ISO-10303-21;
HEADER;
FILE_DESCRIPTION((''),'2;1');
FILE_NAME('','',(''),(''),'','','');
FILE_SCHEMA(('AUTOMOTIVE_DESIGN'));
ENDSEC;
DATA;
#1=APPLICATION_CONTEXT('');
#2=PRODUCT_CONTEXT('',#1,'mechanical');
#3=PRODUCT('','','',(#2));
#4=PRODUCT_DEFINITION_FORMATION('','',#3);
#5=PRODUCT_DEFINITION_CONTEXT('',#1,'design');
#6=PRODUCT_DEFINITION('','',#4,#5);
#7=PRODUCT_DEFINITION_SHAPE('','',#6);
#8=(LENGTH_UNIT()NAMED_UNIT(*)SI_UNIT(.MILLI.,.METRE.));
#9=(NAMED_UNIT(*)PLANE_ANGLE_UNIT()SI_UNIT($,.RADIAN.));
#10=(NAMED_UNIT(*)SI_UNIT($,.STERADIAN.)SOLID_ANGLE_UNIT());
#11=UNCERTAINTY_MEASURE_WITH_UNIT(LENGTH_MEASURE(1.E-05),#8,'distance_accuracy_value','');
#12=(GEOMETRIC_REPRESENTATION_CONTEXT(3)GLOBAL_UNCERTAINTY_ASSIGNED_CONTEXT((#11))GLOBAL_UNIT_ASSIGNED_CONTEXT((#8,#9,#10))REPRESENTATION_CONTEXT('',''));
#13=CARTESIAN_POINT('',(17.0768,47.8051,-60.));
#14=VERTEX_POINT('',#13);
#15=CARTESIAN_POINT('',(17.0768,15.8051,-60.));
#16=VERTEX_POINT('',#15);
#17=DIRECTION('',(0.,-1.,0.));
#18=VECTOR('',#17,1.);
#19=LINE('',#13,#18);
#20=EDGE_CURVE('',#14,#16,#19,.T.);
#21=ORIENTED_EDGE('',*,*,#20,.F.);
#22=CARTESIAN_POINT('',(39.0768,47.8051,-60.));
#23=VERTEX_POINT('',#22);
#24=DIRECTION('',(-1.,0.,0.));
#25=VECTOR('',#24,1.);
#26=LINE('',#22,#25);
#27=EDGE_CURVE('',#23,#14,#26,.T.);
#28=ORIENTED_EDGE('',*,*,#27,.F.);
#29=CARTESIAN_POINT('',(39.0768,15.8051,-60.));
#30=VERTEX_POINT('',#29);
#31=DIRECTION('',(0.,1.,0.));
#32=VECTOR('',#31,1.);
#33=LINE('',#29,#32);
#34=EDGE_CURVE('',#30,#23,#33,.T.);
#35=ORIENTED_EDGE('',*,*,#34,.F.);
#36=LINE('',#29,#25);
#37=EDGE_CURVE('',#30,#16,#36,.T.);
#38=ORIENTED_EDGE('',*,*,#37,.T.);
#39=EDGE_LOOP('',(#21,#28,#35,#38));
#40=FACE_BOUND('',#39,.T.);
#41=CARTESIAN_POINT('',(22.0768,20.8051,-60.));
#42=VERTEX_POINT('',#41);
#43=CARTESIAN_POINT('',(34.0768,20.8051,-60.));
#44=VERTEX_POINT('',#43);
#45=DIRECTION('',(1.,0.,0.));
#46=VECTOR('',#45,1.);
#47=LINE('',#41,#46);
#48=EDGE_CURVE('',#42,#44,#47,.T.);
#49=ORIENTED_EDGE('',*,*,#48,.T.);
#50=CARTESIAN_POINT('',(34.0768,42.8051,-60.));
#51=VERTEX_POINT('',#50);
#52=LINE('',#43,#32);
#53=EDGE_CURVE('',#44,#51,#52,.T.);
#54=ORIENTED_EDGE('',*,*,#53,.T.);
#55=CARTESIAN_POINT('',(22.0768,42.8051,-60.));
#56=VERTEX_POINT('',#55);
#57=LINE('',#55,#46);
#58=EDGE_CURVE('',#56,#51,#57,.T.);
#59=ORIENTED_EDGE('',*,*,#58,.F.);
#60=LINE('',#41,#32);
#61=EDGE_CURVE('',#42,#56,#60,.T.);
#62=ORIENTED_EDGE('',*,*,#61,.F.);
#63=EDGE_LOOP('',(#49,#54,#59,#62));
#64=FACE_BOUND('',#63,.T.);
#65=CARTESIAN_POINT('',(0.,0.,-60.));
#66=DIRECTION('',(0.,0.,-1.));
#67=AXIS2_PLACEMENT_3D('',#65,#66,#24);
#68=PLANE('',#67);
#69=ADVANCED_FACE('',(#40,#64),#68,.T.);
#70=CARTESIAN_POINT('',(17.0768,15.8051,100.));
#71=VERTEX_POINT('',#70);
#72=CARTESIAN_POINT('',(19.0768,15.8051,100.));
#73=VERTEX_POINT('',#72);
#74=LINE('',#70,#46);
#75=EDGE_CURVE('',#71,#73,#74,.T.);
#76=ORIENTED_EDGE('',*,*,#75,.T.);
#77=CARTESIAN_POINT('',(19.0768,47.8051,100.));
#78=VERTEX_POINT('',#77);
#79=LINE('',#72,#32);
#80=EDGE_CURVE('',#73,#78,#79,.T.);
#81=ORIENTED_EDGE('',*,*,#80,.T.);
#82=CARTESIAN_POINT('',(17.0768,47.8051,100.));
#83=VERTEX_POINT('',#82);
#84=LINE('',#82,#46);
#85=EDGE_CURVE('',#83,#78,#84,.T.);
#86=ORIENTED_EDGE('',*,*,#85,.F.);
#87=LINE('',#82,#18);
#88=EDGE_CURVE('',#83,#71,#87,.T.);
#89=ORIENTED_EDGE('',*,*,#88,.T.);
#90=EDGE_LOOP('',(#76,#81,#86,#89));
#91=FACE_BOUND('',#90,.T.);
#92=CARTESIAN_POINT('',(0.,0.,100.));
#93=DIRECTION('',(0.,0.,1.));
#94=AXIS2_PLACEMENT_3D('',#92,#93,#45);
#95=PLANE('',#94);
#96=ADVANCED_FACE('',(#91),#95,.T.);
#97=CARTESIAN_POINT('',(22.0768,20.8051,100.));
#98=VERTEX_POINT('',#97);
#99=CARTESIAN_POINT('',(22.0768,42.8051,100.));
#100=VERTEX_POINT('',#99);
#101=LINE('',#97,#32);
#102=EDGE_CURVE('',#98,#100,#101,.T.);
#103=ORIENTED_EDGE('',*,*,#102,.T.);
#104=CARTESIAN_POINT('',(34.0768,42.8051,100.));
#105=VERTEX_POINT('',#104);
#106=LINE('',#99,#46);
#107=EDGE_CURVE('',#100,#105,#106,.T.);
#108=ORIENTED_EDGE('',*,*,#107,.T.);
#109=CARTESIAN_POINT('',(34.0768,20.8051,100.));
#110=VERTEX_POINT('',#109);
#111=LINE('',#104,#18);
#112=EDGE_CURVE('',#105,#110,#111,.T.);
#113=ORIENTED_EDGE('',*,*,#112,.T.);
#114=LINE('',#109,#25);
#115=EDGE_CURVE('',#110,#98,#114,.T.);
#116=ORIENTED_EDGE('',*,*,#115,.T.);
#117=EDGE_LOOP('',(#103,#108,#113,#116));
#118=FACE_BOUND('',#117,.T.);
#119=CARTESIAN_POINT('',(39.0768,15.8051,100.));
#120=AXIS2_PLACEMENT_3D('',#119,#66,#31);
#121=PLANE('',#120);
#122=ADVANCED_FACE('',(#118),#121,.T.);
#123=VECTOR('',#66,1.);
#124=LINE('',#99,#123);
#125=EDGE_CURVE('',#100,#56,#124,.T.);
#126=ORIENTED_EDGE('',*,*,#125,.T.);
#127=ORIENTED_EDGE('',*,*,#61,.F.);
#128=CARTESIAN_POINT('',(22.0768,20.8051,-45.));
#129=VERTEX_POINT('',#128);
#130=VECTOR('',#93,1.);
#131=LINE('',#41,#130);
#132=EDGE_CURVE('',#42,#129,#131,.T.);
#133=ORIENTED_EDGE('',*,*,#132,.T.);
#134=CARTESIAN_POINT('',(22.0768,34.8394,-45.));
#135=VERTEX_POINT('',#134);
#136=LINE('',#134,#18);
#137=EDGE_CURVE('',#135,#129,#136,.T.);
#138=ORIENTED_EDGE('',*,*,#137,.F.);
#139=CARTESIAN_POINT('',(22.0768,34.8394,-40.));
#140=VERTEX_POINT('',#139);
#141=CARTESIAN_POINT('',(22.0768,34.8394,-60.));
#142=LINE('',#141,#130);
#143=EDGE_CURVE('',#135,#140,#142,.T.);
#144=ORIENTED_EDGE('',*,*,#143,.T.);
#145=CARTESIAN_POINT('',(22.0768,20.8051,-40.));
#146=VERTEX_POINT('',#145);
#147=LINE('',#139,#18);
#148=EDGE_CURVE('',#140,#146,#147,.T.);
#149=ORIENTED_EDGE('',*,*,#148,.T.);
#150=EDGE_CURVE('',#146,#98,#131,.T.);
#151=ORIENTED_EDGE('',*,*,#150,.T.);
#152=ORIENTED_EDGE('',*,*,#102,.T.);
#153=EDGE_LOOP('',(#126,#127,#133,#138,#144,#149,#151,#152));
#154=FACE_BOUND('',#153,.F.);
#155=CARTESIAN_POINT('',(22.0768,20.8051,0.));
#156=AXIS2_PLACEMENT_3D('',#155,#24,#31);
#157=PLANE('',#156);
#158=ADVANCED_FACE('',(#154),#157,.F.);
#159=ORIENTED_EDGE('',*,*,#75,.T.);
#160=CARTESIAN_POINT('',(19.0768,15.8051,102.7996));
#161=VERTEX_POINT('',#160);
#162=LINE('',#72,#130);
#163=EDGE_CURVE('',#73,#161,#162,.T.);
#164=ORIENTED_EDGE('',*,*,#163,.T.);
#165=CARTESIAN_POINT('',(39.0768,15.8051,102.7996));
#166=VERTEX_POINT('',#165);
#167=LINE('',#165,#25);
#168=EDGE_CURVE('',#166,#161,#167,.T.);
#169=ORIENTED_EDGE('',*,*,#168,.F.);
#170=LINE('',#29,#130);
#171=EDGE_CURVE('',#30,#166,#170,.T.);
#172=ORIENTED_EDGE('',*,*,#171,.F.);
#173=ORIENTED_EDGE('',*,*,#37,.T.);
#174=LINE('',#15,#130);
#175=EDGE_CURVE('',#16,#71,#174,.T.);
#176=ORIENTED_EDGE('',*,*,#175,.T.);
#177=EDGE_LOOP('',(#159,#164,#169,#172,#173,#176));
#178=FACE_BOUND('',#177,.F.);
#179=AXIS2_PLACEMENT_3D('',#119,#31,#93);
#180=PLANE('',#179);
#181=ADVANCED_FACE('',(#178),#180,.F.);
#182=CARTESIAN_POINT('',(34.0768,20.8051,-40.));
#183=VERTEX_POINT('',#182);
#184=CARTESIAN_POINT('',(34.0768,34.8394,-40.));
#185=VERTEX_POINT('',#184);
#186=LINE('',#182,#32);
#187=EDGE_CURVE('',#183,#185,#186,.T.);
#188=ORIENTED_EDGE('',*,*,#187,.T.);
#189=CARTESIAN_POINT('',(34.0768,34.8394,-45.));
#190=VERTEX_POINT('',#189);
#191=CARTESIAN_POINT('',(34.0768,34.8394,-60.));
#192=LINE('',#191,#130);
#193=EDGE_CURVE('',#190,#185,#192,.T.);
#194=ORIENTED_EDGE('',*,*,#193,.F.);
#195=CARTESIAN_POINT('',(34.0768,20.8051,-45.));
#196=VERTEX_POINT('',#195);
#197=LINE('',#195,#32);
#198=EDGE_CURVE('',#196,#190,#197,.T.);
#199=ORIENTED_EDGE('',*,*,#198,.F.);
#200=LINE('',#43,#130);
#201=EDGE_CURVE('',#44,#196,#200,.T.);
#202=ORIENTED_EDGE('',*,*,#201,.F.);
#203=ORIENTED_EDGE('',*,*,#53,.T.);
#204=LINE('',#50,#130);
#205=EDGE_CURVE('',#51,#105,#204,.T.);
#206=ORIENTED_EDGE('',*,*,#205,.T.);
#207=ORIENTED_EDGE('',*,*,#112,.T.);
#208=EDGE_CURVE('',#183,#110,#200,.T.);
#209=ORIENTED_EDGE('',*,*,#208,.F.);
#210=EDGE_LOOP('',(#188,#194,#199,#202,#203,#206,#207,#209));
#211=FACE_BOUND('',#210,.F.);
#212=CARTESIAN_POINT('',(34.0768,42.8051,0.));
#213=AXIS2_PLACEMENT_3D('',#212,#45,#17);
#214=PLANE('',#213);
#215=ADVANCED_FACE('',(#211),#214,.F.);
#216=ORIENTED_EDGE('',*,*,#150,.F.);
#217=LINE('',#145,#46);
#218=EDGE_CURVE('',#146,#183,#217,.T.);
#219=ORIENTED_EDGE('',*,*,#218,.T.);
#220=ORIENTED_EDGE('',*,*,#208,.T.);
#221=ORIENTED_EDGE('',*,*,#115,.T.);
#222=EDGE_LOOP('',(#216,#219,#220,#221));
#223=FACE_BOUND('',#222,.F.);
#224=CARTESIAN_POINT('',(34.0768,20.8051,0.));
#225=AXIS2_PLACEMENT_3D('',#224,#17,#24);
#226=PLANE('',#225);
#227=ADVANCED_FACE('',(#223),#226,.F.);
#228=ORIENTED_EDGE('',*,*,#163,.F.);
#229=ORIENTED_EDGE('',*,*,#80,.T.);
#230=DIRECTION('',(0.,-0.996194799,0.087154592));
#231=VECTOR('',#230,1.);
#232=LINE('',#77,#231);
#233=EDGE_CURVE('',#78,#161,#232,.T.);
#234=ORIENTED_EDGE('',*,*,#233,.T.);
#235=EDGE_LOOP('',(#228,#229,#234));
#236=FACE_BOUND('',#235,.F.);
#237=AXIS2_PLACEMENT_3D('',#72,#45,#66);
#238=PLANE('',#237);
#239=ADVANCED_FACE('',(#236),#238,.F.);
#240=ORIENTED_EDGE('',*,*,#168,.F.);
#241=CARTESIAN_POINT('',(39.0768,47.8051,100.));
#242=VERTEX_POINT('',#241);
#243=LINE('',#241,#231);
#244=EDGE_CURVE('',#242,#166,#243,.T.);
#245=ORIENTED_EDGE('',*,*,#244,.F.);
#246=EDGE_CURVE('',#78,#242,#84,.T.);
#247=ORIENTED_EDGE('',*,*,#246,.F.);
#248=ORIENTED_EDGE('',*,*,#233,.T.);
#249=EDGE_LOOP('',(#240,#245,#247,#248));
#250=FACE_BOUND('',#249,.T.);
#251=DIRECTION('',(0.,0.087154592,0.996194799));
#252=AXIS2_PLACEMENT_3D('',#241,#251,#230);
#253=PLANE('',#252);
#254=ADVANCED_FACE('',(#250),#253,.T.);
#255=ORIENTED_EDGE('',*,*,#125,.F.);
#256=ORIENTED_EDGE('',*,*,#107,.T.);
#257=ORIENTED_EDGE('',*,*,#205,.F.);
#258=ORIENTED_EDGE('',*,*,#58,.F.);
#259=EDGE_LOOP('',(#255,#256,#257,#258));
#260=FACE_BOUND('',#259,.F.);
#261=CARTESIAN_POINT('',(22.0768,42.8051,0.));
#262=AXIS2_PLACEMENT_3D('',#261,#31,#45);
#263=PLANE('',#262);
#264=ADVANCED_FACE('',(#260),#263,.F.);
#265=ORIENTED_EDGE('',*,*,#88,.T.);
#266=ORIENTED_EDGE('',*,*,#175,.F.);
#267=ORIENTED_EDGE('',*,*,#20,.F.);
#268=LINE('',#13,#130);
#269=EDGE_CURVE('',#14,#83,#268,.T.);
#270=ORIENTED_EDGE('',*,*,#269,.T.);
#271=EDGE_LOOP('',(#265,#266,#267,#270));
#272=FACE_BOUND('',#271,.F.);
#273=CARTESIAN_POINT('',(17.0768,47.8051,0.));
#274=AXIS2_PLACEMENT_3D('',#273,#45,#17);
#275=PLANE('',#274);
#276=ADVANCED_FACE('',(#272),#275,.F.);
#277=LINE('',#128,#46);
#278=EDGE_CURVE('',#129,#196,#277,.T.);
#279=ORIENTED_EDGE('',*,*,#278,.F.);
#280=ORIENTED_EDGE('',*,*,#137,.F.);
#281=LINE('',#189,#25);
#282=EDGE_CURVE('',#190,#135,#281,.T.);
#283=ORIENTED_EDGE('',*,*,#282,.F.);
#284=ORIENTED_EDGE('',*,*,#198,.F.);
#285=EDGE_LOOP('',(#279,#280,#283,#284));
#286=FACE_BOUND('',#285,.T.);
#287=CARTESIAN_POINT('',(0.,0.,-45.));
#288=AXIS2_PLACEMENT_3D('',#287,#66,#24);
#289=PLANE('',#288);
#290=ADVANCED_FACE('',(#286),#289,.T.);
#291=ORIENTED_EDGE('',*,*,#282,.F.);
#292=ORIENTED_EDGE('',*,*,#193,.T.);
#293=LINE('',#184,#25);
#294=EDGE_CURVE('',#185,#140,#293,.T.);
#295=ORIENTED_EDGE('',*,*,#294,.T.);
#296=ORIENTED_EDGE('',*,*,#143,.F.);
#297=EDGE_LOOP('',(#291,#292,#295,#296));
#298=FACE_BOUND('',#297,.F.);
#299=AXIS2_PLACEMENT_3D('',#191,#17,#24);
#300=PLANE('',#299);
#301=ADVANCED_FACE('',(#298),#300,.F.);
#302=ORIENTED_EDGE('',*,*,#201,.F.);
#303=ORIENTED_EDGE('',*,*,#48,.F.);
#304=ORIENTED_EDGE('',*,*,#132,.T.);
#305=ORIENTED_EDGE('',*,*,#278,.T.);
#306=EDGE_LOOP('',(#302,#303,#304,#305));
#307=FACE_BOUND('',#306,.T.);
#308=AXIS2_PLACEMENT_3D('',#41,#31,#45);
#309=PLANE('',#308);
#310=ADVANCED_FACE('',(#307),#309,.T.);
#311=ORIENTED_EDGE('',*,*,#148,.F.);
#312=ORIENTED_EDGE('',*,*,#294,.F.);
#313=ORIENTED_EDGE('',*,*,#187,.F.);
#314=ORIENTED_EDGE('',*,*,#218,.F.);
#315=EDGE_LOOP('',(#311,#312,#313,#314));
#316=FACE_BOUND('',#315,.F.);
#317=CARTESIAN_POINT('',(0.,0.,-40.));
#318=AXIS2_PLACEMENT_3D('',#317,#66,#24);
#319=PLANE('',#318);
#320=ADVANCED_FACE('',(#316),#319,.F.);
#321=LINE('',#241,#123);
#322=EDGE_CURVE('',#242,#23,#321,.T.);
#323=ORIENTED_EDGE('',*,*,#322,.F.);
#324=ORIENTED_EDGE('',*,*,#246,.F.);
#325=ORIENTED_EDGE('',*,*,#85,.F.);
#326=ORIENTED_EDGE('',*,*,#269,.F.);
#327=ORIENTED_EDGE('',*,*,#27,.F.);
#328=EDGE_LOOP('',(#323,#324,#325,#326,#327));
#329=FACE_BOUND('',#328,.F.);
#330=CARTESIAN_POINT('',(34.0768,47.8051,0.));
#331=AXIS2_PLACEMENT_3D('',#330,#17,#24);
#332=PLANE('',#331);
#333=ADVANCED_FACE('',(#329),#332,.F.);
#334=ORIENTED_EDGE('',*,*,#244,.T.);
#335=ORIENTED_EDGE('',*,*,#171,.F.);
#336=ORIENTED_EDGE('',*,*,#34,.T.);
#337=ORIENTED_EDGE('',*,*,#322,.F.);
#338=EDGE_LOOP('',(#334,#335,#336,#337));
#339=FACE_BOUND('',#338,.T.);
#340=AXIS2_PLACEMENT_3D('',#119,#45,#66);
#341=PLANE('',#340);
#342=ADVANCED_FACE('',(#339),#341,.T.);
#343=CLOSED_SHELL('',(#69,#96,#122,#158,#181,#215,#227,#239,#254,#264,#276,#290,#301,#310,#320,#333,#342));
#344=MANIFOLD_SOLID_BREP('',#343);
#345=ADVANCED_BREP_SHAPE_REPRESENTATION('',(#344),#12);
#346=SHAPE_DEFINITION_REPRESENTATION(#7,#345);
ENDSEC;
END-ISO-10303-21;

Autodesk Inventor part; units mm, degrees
ref_plane "YZ Plane" through (0, 0, 0) normal (1, 0, 0) x (0, 1, 0)
ref_plane "XZ Plane" through (0, 0, 0) normal (0, 1, 0) x (-1, 0, 0)
ref_plane "XY Plane" through (0, 0, 0) normal (0, 0, 1) x (1, 0, 0)
sketch "Sketch1" plane through (0, 0, 0) normal (0, 0, 1) x (1, 0, 0)
  line L0 (22.0768, 42.8051) -> (34.0768, 42.8051)
  line L1 (34.0768, 42.8051) -> (34.0768, 20.8051)
  line L2 (34.0768, 20.8051) -> (22.0768, 20.8051)
  line L3 (22.0768, 20.8051) -> (22.0768, 42.8051)
  line L4 (39.0768, 47.8051) -> (17.0768, 47.8051)
  line L5 (17.0768, 47.8051) -> (17.0768, 15.8051)
  line L6 (17.0768, 15.8051) -> (39.0768, 15.8051)
  line L7 (39.0768, 15.8051) -> (39.0768, 47.8051)
  line L8 (34.0768, 20.8051) -> (34.0768, 15.8051)
  line L9 (22.0768, 20.8051) -> (22.0768, 15.8051)
  line L10 (22.0768, 42.8051) -> (22.0768, 47.8051)
  line L11 (34.0768, 42.8051) -> (34.0768, 47.8051)
  point P0 (0, 0)
  dimension "d4" = 12
  dimension "d5" = 22
  dimension "d6" = 5
extrude "Extrusion2" add sketch "Sketch1" along normal blind 100 and the other way blind 60 contours L10 L4 L11 L0 | L3 L9 L6 L5 L4 L10 | L11 L4 L7 L6 L8 L1 | L2 L8 L6 L9
sketch "Sketch2" plane through (39.0768, 15.8051, 100) normal (1, 0, 0) x (0, 0, -1)
  line L0 (0, 0) -> (0, 32) projected
  line L1 (0, 0) -> (30.1146, 0) construction
  line L2 (0, 32) -> (-2.7996, 0)
  line L3 (0, 32) -> (32.6362, 32) construction
  line L4 (0, 0) -> (-2.7996, 0)
  point P0 (100, -15.8051)
  dimension "d16" = 95
extrude "Extrusion3" add sketch "Sketch2" against normal blind 20
sketch "Sketch3" plane through (0, 0, -60) normal (0, 0, -1) x (-1, 0, 0)
  line L0 (-17.0768, 15.8051) -> (-37.0768, 15.8051)
  line L1 (-37.0768, 15.8051) -> (-37.0768, 36.9275)
  line L2 (-37.0768, 36.9275) -> (-17.0768, 36.9275)
  line L3 (-17.0768, 36.9275) -> (-17.0768, 15.8051)
  line L4 (-22.0768, 20.8051) -> (-34.0768, 20.8051)
  line L5 (-34.0768, 20.8051) -> (-34.0768, 34.8394)
  line L6 (-34.0768, 34.8394) -> (-22.0768, 34.8394)
  line L7 (-22.0768, 34.8394) -> (-22.0768, 20.8051)
  point P0 (0, 0)
  dimension "d17" = 20
  dimension "d18" = 12
extrude "Extrusion4" add sketch "Sketch3" against normal blind 20 contours L4 L5 L6 L7
extrude "Extrusion5" cut sketch "Sketch3" against normal blind 15 contours L4 L5 L6 L7
properties part number "motorstand2"
